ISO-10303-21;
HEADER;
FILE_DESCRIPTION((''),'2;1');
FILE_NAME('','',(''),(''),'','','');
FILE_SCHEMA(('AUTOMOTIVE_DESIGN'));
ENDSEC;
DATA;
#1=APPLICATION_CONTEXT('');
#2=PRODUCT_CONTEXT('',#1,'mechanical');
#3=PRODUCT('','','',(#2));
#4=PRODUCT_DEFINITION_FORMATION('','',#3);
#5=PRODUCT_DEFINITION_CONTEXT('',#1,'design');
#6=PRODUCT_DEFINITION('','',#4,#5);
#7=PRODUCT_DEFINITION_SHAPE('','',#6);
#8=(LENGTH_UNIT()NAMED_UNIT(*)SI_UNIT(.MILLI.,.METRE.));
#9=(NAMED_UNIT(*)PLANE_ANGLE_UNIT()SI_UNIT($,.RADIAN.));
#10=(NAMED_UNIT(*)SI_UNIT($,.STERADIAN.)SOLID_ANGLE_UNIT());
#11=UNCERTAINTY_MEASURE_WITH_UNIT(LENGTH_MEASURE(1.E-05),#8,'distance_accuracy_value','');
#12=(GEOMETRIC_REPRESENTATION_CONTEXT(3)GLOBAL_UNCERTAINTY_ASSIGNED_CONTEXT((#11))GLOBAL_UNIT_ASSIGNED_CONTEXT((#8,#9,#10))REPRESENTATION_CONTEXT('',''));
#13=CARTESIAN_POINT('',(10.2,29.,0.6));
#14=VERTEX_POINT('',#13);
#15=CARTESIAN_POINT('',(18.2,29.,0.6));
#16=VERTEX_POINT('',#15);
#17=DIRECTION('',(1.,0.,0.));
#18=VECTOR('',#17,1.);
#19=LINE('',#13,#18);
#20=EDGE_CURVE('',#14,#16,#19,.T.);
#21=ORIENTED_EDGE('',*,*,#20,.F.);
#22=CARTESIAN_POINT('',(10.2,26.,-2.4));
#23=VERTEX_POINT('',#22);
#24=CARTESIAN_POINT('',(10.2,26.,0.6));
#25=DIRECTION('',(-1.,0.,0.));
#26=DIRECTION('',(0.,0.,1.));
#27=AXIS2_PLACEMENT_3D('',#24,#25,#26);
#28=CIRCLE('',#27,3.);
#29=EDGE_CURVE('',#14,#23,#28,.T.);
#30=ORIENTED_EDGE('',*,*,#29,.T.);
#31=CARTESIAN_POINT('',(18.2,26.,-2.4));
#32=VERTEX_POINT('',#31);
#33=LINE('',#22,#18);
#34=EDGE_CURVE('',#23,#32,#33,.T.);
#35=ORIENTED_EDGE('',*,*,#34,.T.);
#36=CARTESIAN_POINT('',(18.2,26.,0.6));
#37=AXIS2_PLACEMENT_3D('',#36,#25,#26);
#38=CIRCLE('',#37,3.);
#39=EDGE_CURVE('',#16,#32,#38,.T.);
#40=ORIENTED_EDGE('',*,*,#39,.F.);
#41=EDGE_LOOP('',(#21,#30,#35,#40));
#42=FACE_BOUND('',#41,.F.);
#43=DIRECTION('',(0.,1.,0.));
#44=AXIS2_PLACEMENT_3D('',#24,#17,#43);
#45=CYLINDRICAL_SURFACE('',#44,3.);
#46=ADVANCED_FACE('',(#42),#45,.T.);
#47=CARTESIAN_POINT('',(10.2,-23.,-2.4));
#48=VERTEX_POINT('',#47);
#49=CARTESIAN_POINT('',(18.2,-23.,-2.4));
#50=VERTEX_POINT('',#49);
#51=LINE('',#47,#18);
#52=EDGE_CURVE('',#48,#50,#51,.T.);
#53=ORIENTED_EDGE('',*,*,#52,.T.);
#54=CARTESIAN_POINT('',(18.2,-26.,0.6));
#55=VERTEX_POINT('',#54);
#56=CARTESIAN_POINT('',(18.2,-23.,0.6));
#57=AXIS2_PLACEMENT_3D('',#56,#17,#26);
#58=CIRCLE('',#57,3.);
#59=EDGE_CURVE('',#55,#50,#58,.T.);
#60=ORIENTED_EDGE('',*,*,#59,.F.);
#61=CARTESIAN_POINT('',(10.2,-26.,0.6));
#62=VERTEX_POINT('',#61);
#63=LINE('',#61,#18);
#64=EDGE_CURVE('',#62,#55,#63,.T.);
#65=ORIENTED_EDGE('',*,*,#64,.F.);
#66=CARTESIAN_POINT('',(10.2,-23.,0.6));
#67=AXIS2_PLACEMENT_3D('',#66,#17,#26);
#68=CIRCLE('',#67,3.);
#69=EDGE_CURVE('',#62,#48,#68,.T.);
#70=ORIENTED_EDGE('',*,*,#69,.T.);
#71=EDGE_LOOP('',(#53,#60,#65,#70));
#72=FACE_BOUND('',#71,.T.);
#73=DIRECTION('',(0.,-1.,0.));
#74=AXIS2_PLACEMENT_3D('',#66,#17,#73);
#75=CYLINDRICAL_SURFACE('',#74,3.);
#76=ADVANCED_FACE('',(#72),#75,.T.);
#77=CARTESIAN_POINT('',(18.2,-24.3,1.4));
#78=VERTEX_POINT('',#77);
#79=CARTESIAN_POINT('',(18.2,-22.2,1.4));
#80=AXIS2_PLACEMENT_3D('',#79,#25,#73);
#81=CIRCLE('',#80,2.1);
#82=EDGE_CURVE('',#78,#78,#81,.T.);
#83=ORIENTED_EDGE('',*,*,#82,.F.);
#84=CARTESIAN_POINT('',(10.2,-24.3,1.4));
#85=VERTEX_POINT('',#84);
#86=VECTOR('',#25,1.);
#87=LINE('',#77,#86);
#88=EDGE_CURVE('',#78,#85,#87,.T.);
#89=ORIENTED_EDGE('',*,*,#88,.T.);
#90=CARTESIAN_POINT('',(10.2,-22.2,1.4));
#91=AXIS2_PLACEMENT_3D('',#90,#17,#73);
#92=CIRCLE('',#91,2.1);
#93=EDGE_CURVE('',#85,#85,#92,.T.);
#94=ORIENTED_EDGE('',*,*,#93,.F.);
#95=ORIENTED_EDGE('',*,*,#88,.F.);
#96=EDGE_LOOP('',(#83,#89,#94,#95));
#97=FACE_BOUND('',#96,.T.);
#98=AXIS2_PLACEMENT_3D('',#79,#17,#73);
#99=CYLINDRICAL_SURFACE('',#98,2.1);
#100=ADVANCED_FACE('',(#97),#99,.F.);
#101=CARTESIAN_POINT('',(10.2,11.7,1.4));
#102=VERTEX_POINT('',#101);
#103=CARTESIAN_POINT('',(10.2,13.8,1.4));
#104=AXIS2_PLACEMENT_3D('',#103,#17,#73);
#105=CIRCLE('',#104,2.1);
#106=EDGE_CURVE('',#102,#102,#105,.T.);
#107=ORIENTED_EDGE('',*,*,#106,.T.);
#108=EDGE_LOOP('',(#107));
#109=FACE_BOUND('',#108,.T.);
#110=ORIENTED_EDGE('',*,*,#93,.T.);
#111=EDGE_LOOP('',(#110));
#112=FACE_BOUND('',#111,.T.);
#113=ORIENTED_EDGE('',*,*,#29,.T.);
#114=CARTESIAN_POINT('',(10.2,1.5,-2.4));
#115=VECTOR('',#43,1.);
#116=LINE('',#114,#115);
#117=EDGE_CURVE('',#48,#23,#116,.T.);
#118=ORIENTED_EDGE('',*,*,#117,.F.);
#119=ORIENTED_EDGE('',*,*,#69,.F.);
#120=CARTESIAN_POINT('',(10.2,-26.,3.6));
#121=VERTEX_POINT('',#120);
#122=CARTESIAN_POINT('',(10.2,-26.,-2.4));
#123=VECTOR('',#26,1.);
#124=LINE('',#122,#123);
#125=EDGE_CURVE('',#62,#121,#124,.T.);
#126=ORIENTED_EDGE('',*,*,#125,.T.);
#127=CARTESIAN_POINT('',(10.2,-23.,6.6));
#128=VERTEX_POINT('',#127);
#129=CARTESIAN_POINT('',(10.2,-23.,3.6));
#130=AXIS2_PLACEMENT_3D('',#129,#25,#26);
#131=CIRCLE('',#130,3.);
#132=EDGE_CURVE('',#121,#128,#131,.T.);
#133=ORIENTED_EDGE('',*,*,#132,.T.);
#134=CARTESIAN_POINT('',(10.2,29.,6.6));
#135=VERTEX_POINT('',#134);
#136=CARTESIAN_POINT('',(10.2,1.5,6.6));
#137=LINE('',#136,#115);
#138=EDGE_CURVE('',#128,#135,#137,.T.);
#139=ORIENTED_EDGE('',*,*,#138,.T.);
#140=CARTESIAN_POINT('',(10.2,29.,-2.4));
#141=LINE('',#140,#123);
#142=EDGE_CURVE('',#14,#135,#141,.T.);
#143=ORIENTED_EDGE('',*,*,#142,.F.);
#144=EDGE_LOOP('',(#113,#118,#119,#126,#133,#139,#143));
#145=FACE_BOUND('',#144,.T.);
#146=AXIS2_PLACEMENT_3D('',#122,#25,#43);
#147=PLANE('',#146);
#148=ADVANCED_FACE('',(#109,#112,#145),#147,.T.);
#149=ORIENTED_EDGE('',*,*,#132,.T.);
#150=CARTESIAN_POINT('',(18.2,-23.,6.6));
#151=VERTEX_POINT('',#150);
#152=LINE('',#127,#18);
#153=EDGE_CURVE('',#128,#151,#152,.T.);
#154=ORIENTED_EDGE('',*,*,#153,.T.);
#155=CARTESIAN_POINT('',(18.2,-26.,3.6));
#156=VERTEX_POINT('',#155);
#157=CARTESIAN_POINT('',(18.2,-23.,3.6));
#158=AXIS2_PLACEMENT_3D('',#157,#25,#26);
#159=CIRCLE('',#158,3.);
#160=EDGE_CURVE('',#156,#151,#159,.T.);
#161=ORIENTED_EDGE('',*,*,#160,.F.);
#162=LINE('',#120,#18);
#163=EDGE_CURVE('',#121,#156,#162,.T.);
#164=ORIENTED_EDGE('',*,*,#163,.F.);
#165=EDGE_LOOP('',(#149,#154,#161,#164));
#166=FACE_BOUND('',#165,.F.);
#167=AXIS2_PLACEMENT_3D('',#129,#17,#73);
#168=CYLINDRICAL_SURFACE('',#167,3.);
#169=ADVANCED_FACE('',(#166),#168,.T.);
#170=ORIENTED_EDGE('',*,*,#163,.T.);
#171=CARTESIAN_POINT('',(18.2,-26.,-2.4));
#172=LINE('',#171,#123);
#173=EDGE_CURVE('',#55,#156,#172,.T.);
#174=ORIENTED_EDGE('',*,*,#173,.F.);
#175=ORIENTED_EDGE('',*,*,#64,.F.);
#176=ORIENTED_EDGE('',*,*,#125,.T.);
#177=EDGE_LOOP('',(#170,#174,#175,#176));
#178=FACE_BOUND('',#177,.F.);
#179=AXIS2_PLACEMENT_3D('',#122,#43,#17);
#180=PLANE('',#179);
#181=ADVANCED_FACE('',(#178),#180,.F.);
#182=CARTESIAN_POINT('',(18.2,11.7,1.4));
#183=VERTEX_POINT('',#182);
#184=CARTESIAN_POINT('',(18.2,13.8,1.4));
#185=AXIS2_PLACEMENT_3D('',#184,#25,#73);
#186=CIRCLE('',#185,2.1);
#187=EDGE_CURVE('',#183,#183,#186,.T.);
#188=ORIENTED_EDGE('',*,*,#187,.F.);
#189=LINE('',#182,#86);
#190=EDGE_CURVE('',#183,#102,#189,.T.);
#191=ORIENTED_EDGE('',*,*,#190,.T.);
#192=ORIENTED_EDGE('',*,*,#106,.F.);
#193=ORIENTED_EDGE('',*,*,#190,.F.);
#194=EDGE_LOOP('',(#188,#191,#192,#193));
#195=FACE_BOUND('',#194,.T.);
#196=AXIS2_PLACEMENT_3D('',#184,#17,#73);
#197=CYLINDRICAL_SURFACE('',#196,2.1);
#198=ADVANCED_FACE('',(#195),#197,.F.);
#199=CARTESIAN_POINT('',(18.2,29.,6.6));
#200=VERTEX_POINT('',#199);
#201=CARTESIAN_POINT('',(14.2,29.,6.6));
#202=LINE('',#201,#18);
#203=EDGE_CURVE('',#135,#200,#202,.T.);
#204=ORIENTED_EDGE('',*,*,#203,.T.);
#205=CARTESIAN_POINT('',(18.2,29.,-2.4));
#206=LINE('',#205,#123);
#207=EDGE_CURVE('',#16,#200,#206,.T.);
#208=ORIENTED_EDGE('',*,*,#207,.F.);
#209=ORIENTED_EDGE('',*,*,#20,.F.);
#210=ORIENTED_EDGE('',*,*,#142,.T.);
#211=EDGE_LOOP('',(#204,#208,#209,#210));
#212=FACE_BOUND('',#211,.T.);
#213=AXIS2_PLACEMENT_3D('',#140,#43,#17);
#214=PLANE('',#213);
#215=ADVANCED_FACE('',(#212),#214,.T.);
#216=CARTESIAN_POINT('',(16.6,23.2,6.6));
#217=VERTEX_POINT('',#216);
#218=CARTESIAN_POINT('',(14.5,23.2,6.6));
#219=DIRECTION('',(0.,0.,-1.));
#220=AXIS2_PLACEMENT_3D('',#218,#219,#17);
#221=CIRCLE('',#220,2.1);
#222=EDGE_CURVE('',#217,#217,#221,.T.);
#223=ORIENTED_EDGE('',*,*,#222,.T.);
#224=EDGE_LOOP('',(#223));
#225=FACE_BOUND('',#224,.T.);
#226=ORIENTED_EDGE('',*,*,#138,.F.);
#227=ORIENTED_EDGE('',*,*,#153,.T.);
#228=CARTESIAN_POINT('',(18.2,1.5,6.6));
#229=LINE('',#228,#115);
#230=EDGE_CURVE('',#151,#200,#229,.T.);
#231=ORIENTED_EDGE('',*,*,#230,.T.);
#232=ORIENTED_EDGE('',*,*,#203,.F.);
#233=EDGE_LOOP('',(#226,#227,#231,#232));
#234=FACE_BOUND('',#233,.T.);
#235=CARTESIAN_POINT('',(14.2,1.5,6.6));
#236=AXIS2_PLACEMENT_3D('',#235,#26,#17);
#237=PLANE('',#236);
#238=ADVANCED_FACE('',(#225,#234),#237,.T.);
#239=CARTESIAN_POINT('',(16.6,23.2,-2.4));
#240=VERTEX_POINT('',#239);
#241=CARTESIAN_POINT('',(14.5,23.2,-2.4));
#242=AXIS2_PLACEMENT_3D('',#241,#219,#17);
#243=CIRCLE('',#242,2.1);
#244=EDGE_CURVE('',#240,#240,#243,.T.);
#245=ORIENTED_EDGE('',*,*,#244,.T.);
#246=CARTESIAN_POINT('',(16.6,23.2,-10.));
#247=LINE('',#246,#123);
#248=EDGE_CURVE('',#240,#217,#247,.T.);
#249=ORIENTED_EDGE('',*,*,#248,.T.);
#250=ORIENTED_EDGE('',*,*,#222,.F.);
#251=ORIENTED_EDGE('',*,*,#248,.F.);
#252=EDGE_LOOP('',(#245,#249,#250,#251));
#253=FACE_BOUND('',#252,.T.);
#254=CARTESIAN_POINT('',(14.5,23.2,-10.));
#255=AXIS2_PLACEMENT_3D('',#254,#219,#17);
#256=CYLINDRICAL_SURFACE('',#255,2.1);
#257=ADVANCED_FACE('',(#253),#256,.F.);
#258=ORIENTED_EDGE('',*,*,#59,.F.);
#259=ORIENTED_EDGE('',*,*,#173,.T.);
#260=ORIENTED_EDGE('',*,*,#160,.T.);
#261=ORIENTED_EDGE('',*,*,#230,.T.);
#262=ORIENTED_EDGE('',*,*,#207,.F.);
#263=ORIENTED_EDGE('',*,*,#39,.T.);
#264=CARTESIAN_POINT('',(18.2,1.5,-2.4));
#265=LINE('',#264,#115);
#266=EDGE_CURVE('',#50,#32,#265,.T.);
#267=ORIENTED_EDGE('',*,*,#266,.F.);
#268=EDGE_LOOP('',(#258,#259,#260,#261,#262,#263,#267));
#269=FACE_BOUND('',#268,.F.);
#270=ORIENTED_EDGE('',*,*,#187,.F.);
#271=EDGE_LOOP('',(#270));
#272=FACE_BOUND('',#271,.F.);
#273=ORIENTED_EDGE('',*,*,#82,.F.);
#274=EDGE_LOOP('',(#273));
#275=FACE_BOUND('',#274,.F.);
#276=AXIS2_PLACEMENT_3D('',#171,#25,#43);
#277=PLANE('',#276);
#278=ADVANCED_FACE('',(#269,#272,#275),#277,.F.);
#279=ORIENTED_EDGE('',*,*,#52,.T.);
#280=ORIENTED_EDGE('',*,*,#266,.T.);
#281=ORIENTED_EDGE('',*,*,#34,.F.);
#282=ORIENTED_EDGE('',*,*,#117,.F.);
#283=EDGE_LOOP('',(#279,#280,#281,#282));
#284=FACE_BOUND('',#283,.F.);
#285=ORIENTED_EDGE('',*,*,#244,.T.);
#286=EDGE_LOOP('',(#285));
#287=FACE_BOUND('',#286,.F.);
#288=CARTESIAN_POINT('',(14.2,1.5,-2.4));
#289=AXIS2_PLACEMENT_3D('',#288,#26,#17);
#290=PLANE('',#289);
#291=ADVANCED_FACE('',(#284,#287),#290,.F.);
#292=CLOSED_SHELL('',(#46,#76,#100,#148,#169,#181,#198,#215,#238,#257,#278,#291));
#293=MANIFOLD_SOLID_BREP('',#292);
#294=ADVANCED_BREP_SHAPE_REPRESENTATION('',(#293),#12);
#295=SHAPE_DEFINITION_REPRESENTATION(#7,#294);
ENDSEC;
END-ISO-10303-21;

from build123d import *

# Parameters (mm, degrees)
CYLINDER006_R     = 2.1
CYLINDER006_DEPTH = 20
SKETCH005_R       = 2.1
EXTRUDE004_DEPTH  = 10
BOX003_W          = 8
BOX003_H          = 55
BOX003_DEPTH      = 9
FILLET001_R       = 3


with BuildPart() as cs_vert_hole:
    # Cylinder006 → Cylinder006 (new body)
    with BuildSketch(Plane(origin=(14.5, 23.2, -10), x_dir=(1, 0, 0), z_dir=(0, 0, 1))):
        Circle(CYLINDER006_R)
    extrude(amount=CYLINDER006_DEPTH)


with BuildPart() as cs_hole_fusion:
    # Sketch005 (on Face2 of Box003) → Extrude004 (new body)
    with BuildSketch(Plane(origin=(18.2, 17.6, -2.4), x_dir=(0, -1, 0), z_dir=(-1, 0, 0))):
        with Locations((3.8, 3.8)):
            Circle(SKETCH005_R)
        with Locations((39.8, 3.8)):
            Circle(SKETCH005_R)
    extrude(amount=EXTRUDE004_DEPTH)

    # Fusion006: union cs vert hole
    add(cs_vert_hole.part)


with BuildPart() as cs_attachment_block:
    # Box003 → Box003 (new body)
    with BuildSketch(Plane(origin=(10.2, -26, -2.4), x_dir=(1, 0, 0), z_dir=(0, 0, 1))):
        with Locations((4, 27.5)):
            Rectangle(BOX003_W, BOX003_H)
    extrude(amount=BOX003_DEPTH)

    # Fillet001
    fillet001_edges = [cs_attachment_block.edges().sort_by_distance(p)[0] for p in [
        (14.2, -26, -2.4),
        (14.2, -26, 6.6),
        (14.2, 29, -2.4),
    ]]
    fillet(fillet001_edges, radius=FILLET001_R)

    # Cut003: cut cs hole fusion
    add(cs_hole_fusion.part, mode=Mode.SUBTRACT)


solid = cs_attachment_block.part
